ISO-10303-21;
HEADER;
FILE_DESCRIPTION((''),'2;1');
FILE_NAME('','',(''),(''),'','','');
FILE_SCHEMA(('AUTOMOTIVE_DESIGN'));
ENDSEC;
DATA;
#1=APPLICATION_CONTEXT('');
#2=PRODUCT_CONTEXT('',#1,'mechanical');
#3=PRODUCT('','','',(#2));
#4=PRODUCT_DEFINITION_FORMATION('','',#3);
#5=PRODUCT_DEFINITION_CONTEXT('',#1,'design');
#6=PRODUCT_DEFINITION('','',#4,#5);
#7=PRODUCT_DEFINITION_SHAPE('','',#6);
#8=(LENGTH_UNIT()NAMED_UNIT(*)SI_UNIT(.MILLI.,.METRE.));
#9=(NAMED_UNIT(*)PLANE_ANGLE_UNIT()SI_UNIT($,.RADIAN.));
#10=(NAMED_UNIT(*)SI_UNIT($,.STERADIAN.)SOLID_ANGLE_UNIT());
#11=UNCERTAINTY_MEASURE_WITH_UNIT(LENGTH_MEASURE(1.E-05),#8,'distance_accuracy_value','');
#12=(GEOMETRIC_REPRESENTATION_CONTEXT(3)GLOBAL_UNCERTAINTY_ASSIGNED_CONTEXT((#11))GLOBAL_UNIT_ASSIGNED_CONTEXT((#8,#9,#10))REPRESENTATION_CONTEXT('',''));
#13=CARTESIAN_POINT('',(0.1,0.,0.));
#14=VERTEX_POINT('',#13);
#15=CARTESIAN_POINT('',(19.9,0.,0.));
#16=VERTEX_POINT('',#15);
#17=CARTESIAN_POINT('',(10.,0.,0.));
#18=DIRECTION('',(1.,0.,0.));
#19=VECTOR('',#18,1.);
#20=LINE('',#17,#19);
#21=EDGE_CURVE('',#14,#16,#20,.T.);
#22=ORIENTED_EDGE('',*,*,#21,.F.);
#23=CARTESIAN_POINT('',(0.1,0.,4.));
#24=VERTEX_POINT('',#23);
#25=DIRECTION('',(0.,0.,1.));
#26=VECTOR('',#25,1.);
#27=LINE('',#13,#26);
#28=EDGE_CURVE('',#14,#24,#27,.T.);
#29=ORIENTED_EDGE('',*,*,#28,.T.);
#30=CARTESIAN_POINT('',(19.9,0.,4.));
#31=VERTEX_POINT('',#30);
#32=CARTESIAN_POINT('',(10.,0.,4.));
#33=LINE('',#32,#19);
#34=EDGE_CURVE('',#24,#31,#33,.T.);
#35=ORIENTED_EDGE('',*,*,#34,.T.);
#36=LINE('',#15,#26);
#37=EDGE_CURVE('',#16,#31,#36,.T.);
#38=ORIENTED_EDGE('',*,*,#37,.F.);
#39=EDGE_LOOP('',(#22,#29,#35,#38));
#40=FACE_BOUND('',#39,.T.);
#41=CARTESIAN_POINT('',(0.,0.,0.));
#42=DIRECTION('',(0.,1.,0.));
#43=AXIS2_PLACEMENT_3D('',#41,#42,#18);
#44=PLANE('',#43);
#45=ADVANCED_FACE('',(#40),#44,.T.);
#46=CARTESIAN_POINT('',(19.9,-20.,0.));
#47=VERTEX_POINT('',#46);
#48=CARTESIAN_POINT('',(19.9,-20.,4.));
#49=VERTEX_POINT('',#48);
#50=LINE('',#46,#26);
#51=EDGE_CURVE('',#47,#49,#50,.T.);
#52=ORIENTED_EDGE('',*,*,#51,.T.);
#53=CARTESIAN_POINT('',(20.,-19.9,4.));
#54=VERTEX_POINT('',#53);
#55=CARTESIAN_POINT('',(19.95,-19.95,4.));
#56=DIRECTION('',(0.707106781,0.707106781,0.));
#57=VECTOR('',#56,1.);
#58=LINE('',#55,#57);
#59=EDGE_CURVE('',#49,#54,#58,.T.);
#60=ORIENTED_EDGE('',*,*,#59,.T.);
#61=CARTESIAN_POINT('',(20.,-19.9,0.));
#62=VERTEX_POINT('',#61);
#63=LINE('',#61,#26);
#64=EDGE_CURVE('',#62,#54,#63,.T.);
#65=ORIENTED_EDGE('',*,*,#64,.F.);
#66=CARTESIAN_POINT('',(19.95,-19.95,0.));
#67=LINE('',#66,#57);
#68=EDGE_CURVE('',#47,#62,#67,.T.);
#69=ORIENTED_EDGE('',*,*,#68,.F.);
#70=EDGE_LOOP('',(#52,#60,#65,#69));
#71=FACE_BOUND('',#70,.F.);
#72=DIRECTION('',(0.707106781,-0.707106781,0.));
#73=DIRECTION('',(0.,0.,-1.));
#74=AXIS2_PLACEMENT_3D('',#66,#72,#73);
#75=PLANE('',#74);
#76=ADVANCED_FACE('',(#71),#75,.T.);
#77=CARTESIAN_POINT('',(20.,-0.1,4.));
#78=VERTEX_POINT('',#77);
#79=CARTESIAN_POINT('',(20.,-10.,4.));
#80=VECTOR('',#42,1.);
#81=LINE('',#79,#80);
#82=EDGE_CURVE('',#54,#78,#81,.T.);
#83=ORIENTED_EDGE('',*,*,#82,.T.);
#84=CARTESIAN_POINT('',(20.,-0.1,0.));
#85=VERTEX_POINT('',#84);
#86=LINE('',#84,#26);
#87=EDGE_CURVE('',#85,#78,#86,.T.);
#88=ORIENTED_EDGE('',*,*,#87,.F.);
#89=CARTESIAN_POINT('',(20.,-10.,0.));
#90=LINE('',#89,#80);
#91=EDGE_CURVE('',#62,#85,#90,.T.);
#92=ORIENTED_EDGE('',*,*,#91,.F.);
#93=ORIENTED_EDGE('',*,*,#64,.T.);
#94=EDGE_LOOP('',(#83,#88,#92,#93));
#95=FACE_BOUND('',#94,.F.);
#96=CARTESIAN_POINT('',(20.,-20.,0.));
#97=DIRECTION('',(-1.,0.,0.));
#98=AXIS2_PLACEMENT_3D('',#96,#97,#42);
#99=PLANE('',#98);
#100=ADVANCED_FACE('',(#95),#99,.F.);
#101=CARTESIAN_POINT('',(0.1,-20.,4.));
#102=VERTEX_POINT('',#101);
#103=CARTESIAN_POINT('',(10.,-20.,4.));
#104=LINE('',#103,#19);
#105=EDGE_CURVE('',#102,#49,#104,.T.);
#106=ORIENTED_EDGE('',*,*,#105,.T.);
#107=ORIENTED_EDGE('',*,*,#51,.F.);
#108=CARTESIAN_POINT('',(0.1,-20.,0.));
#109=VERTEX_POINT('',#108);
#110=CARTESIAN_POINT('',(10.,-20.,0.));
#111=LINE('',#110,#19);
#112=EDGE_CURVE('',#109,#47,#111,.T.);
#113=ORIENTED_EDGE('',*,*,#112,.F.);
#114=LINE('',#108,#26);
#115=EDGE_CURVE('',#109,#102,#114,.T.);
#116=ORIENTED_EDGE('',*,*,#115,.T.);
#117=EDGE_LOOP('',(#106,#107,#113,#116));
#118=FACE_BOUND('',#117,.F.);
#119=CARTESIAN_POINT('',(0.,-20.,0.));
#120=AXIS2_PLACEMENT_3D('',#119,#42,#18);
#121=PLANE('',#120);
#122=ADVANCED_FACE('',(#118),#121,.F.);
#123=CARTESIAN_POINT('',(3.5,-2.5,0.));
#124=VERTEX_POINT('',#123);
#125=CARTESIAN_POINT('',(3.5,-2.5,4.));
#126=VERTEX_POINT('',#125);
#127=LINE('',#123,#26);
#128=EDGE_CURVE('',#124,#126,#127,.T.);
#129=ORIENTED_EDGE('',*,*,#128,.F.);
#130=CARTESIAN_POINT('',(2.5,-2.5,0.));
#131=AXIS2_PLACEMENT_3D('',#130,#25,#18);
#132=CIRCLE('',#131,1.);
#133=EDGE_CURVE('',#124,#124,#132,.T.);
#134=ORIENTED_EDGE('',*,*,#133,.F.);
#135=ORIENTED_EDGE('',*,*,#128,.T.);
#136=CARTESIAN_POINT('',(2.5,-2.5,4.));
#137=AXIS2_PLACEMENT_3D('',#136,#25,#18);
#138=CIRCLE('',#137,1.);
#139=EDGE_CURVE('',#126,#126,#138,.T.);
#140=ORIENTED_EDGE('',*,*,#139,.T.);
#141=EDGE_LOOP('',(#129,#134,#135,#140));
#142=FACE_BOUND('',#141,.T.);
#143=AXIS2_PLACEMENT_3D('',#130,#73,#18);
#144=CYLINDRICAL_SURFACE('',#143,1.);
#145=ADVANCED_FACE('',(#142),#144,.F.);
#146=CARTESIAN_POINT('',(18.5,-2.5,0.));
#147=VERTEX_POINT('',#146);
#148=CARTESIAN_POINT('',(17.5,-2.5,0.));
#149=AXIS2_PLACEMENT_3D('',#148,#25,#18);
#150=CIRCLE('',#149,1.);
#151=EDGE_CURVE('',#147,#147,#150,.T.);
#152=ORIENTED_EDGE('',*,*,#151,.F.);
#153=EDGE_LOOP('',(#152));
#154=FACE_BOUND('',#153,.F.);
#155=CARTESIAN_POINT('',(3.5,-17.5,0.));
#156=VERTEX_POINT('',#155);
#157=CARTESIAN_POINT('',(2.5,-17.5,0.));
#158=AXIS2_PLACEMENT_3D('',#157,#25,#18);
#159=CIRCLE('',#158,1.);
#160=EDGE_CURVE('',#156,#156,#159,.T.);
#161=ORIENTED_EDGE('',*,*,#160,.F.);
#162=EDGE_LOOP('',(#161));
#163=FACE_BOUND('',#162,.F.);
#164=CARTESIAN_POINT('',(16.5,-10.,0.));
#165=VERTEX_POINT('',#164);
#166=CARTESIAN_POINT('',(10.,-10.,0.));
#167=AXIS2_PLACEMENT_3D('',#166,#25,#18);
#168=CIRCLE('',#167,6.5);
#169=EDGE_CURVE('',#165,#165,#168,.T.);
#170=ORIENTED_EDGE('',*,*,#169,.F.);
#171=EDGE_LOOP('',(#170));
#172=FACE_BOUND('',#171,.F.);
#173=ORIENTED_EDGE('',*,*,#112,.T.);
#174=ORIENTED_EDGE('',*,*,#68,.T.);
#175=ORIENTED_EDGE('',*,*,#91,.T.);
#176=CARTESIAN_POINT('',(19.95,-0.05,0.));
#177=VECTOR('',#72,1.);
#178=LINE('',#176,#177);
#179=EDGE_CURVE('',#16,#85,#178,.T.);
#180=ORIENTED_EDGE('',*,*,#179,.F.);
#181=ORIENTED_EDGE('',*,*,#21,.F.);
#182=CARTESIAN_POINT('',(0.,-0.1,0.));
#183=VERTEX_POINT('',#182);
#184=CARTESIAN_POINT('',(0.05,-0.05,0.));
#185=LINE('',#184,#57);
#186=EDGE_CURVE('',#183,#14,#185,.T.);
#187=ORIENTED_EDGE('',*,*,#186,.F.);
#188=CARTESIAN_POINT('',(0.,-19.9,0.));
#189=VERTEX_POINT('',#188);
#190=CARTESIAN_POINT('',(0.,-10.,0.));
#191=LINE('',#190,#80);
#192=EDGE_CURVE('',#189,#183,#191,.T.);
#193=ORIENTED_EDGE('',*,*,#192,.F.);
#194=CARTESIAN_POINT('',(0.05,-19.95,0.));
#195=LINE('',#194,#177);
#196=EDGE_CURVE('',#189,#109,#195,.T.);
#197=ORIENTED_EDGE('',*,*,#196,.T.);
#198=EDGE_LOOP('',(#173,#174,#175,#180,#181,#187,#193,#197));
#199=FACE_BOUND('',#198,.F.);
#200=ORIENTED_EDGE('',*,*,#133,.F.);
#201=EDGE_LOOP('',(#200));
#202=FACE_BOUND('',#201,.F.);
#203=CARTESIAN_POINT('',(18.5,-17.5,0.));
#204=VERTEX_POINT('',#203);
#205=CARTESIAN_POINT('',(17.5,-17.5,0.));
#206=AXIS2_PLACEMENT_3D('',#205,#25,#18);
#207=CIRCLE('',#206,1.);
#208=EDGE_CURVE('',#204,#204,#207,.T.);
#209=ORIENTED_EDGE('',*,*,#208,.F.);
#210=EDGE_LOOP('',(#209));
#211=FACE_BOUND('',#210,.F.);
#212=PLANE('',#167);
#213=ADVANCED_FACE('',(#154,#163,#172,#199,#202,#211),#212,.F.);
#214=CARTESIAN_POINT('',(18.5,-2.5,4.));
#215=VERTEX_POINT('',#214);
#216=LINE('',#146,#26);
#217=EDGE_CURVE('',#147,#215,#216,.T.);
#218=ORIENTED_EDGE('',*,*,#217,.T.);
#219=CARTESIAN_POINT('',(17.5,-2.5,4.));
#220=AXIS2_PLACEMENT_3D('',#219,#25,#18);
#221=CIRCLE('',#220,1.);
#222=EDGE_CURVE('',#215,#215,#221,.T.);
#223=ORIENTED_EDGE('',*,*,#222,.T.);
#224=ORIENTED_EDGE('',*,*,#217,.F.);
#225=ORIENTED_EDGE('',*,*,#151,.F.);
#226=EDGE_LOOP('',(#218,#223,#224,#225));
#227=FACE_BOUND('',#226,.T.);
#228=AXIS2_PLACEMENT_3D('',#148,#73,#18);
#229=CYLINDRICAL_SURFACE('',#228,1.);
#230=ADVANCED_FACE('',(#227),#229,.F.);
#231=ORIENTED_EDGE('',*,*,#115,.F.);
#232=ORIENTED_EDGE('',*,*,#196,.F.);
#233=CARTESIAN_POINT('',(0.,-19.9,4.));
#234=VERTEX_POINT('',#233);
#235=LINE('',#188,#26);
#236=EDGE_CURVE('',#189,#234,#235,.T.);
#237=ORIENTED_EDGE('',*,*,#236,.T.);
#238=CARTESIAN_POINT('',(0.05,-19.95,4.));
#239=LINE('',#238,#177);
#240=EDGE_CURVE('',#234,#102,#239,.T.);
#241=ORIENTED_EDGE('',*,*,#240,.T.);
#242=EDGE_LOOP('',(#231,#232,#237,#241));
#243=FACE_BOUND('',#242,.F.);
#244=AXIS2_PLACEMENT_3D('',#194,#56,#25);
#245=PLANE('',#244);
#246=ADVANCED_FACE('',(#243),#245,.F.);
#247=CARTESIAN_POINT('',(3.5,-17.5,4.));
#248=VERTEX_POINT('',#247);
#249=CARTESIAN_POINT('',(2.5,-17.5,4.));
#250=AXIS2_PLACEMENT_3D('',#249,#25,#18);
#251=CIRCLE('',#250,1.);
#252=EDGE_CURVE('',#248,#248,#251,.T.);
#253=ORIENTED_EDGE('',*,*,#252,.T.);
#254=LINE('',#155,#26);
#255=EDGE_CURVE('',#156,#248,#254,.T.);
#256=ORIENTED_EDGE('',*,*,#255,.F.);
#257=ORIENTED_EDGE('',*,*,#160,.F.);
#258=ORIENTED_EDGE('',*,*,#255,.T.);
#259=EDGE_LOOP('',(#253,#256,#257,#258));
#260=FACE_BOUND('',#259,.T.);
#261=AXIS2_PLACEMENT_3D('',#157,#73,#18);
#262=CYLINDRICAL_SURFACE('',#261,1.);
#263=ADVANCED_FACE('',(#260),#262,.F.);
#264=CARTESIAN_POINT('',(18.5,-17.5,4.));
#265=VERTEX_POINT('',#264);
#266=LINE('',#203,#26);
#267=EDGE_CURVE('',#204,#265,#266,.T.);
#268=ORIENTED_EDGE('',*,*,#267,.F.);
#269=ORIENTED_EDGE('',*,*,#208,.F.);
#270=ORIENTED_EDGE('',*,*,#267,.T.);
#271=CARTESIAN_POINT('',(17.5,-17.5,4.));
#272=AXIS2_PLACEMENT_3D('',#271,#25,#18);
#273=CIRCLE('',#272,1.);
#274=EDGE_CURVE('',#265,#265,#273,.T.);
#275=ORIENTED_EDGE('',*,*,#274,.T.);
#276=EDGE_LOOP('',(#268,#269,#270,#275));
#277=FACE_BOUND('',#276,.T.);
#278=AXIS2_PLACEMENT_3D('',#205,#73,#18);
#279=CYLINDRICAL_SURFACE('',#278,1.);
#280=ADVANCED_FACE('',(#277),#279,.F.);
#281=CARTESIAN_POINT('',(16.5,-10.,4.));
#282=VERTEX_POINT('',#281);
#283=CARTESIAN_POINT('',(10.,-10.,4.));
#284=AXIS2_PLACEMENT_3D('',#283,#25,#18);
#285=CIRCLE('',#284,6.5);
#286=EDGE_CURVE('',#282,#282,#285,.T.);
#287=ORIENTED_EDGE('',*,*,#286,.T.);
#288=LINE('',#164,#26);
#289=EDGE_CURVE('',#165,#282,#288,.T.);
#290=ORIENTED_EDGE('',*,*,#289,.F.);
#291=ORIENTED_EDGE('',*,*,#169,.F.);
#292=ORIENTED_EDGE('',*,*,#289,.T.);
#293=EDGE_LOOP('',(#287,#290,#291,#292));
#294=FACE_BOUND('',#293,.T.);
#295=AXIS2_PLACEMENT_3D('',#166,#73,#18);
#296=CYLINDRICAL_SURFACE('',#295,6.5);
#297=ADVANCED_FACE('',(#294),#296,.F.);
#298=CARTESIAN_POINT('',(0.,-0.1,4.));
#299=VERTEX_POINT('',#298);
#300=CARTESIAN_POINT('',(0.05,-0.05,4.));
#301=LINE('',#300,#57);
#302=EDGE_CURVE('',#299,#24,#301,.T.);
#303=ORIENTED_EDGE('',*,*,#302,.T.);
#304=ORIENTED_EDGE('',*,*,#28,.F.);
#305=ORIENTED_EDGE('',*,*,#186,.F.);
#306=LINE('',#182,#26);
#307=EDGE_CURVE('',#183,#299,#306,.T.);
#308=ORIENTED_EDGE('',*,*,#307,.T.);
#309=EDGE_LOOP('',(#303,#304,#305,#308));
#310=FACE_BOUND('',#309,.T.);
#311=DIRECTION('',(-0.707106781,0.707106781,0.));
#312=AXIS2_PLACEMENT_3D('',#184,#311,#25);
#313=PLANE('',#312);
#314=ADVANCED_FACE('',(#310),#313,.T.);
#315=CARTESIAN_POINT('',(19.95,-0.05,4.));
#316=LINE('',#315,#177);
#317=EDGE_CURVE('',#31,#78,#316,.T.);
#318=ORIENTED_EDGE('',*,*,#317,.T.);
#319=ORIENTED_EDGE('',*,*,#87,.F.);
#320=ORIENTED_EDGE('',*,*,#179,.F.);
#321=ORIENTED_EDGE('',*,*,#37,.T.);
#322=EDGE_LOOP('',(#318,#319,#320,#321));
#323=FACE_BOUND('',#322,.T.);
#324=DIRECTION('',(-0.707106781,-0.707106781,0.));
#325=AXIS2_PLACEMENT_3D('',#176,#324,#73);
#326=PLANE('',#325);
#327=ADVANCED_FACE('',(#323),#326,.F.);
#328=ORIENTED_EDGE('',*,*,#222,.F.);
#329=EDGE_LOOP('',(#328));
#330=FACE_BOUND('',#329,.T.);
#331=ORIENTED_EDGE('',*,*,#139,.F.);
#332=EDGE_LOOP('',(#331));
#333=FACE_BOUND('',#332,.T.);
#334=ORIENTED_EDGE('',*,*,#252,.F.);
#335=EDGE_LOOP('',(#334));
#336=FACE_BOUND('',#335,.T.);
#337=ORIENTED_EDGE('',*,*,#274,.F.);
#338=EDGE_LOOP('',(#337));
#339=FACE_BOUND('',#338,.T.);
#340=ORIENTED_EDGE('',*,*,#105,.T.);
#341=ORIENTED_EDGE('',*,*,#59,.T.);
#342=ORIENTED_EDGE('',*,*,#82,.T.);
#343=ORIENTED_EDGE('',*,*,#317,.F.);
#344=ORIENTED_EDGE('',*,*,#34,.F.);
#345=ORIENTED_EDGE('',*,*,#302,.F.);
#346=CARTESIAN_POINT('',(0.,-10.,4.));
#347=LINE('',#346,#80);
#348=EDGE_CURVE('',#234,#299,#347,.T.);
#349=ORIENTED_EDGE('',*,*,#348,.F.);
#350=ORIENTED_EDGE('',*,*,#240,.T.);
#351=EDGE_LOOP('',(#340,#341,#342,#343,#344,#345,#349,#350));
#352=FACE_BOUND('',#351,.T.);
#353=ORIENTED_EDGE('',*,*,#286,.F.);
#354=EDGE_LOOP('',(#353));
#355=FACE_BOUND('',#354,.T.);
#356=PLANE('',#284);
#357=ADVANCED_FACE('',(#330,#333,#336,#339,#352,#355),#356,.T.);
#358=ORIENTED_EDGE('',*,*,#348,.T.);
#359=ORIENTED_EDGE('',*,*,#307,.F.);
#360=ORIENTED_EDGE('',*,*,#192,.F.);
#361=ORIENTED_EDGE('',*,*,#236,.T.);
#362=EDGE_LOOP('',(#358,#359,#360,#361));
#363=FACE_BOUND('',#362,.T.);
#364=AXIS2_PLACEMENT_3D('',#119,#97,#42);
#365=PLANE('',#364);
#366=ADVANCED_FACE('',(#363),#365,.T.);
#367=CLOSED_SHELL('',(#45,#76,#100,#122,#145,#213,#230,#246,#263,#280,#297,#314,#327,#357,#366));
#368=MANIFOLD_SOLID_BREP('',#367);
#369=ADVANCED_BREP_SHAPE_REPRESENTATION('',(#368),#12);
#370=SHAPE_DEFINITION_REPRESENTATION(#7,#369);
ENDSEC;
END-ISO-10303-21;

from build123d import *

# Parameters (mm, degrees)
F0_W     = 20
F0_H     = 20
F0_R     = 1
F0_R_2   = 8.5
F0_R_3   = 7
F0_R_4   = 6.5
F1_DEPTH = 4
F2_SIZE  = 0.1


with BuildPart() as f1:
    # F0 (on Top) → F1 (new body)
    with BuildSketch(Plane.XY):
        with Locations((10, -10)):
            Rectangle(F0_W, F0_H)
        with Locations((2.5, -17.5)):
            Circle(F0_R, mode=Mode.SUBTRACT)
        with Locations((17.5, -17.5)):
            Circle(F0_R, mode=Mode.SUBTRACT)
        with Locations((2.5, -2.5)):
            Circle(F0_R, mode=Mode.SUBTRACT)
        with Locations((10, -10)):
            Circle(F0_R_2, mode=Mode.SUBTRACT)
        with Locations((17.5, -2.5)):
            Circle(F0_R, mode=Mode.SUBTRACT)
        with Locations((10, -10)):
            Circle(F0_R_2)
        with Locations((10, -10)):
            Circle(F0_R_3, mode=Mode.SUBTRACT)
        with Locations((10, -10)):
            Circle(F0_R_3)
        with Locations((10, -10)):
            Circle(F0_R_4, mode=Mode.SUBTRACT)
    extrude(amount=F1_DEPTH)

    # F2
    f2_edges = [f1.edges().sort_by_distance(p)[0] for p in [
        (0, -20, 2),
        (0, 0, 2),
        (20, 0, 2),
        (20, -20, 2),
    ]]
    chamfer(f2_edges, length=F2_SIZE)


solid = f1.part
